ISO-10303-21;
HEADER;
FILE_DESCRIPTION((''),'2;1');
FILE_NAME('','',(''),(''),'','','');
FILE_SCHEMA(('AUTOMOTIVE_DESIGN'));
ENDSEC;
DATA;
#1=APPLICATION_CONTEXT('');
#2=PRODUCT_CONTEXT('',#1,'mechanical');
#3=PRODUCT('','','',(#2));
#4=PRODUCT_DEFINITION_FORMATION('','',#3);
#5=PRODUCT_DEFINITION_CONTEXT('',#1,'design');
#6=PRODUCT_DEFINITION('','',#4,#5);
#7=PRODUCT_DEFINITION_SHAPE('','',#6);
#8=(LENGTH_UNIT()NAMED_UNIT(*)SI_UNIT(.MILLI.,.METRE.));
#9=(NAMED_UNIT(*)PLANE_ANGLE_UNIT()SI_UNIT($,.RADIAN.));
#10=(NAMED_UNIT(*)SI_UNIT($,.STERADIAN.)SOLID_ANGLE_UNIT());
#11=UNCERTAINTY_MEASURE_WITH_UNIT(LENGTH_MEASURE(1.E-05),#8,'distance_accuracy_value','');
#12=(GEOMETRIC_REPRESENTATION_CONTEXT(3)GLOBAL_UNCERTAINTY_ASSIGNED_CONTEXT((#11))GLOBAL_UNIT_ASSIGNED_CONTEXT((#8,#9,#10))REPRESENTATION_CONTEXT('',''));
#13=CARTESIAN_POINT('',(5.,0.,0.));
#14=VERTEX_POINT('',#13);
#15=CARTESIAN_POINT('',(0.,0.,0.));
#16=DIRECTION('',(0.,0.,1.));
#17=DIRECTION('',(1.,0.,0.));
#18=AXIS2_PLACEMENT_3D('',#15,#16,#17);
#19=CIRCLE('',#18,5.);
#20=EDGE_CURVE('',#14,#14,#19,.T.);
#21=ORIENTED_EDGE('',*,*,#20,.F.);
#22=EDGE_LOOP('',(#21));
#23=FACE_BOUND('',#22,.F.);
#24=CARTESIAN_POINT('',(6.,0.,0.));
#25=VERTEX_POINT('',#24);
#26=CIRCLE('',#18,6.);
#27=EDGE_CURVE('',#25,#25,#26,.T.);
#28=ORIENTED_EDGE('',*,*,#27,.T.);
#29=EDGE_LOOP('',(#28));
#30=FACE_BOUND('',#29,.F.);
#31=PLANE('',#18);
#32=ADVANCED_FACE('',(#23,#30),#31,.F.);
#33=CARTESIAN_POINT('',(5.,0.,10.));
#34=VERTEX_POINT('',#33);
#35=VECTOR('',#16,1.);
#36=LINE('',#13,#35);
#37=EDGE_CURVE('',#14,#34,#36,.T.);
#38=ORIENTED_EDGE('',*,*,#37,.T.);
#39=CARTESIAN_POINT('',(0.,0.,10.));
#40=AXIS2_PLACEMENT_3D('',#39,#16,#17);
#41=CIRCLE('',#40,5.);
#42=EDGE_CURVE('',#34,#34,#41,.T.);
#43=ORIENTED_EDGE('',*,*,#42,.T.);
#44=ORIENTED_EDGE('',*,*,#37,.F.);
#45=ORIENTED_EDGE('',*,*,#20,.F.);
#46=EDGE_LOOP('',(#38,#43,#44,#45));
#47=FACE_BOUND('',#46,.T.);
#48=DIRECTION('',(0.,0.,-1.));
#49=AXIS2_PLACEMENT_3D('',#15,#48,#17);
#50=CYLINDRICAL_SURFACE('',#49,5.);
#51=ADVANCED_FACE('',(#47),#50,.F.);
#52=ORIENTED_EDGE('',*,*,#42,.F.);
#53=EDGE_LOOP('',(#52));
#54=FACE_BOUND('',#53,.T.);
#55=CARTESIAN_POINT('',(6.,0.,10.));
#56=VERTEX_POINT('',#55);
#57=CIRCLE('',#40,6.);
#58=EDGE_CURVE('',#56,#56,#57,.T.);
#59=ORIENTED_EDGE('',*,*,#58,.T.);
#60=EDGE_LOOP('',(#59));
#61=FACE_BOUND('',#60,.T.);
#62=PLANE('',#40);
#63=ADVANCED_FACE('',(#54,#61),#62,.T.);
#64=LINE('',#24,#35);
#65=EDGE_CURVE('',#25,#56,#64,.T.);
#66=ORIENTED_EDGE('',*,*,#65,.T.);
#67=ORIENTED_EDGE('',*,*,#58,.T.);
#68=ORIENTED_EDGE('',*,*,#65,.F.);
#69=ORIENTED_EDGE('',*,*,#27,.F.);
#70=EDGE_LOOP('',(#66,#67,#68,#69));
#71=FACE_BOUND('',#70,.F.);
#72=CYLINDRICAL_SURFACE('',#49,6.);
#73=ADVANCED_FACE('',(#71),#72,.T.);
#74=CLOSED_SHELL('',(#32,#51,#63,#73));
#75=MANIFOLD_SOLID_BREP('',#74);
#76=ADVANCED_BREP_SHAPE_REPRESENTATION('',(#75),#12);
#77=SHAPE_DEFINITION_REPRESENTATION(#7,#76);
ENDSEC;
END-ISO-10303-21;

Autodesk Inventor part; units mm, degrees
ref_plane "YZ Plane" through (0, 0, 0) normal (1, 0, 0) x (0, 1, 0)
ref_plane "XZ Plane" through (0, 0, 0) normal (0, 1, 0) x (-1, 0, 0)
ref_plane "XY Plane" through (0, 0, 0) normal (0, 0, 1) x (1, 0, 0)
sketch "Sketch1" plane through (0, 0, 0) normal (0, 0, 1) x (1, 0, 0)
  circle A0 centre (0, 0) radius 5
  circle A1 centre (0, 0) radius 6
  dimension "d0" = 10
  dimension "d1" = 12
extrude "Extrusion1" add sketch "Sketch1" along normal blind 10
properties part number "P_bearing_fi10" material "PC/ABS Plastic"
